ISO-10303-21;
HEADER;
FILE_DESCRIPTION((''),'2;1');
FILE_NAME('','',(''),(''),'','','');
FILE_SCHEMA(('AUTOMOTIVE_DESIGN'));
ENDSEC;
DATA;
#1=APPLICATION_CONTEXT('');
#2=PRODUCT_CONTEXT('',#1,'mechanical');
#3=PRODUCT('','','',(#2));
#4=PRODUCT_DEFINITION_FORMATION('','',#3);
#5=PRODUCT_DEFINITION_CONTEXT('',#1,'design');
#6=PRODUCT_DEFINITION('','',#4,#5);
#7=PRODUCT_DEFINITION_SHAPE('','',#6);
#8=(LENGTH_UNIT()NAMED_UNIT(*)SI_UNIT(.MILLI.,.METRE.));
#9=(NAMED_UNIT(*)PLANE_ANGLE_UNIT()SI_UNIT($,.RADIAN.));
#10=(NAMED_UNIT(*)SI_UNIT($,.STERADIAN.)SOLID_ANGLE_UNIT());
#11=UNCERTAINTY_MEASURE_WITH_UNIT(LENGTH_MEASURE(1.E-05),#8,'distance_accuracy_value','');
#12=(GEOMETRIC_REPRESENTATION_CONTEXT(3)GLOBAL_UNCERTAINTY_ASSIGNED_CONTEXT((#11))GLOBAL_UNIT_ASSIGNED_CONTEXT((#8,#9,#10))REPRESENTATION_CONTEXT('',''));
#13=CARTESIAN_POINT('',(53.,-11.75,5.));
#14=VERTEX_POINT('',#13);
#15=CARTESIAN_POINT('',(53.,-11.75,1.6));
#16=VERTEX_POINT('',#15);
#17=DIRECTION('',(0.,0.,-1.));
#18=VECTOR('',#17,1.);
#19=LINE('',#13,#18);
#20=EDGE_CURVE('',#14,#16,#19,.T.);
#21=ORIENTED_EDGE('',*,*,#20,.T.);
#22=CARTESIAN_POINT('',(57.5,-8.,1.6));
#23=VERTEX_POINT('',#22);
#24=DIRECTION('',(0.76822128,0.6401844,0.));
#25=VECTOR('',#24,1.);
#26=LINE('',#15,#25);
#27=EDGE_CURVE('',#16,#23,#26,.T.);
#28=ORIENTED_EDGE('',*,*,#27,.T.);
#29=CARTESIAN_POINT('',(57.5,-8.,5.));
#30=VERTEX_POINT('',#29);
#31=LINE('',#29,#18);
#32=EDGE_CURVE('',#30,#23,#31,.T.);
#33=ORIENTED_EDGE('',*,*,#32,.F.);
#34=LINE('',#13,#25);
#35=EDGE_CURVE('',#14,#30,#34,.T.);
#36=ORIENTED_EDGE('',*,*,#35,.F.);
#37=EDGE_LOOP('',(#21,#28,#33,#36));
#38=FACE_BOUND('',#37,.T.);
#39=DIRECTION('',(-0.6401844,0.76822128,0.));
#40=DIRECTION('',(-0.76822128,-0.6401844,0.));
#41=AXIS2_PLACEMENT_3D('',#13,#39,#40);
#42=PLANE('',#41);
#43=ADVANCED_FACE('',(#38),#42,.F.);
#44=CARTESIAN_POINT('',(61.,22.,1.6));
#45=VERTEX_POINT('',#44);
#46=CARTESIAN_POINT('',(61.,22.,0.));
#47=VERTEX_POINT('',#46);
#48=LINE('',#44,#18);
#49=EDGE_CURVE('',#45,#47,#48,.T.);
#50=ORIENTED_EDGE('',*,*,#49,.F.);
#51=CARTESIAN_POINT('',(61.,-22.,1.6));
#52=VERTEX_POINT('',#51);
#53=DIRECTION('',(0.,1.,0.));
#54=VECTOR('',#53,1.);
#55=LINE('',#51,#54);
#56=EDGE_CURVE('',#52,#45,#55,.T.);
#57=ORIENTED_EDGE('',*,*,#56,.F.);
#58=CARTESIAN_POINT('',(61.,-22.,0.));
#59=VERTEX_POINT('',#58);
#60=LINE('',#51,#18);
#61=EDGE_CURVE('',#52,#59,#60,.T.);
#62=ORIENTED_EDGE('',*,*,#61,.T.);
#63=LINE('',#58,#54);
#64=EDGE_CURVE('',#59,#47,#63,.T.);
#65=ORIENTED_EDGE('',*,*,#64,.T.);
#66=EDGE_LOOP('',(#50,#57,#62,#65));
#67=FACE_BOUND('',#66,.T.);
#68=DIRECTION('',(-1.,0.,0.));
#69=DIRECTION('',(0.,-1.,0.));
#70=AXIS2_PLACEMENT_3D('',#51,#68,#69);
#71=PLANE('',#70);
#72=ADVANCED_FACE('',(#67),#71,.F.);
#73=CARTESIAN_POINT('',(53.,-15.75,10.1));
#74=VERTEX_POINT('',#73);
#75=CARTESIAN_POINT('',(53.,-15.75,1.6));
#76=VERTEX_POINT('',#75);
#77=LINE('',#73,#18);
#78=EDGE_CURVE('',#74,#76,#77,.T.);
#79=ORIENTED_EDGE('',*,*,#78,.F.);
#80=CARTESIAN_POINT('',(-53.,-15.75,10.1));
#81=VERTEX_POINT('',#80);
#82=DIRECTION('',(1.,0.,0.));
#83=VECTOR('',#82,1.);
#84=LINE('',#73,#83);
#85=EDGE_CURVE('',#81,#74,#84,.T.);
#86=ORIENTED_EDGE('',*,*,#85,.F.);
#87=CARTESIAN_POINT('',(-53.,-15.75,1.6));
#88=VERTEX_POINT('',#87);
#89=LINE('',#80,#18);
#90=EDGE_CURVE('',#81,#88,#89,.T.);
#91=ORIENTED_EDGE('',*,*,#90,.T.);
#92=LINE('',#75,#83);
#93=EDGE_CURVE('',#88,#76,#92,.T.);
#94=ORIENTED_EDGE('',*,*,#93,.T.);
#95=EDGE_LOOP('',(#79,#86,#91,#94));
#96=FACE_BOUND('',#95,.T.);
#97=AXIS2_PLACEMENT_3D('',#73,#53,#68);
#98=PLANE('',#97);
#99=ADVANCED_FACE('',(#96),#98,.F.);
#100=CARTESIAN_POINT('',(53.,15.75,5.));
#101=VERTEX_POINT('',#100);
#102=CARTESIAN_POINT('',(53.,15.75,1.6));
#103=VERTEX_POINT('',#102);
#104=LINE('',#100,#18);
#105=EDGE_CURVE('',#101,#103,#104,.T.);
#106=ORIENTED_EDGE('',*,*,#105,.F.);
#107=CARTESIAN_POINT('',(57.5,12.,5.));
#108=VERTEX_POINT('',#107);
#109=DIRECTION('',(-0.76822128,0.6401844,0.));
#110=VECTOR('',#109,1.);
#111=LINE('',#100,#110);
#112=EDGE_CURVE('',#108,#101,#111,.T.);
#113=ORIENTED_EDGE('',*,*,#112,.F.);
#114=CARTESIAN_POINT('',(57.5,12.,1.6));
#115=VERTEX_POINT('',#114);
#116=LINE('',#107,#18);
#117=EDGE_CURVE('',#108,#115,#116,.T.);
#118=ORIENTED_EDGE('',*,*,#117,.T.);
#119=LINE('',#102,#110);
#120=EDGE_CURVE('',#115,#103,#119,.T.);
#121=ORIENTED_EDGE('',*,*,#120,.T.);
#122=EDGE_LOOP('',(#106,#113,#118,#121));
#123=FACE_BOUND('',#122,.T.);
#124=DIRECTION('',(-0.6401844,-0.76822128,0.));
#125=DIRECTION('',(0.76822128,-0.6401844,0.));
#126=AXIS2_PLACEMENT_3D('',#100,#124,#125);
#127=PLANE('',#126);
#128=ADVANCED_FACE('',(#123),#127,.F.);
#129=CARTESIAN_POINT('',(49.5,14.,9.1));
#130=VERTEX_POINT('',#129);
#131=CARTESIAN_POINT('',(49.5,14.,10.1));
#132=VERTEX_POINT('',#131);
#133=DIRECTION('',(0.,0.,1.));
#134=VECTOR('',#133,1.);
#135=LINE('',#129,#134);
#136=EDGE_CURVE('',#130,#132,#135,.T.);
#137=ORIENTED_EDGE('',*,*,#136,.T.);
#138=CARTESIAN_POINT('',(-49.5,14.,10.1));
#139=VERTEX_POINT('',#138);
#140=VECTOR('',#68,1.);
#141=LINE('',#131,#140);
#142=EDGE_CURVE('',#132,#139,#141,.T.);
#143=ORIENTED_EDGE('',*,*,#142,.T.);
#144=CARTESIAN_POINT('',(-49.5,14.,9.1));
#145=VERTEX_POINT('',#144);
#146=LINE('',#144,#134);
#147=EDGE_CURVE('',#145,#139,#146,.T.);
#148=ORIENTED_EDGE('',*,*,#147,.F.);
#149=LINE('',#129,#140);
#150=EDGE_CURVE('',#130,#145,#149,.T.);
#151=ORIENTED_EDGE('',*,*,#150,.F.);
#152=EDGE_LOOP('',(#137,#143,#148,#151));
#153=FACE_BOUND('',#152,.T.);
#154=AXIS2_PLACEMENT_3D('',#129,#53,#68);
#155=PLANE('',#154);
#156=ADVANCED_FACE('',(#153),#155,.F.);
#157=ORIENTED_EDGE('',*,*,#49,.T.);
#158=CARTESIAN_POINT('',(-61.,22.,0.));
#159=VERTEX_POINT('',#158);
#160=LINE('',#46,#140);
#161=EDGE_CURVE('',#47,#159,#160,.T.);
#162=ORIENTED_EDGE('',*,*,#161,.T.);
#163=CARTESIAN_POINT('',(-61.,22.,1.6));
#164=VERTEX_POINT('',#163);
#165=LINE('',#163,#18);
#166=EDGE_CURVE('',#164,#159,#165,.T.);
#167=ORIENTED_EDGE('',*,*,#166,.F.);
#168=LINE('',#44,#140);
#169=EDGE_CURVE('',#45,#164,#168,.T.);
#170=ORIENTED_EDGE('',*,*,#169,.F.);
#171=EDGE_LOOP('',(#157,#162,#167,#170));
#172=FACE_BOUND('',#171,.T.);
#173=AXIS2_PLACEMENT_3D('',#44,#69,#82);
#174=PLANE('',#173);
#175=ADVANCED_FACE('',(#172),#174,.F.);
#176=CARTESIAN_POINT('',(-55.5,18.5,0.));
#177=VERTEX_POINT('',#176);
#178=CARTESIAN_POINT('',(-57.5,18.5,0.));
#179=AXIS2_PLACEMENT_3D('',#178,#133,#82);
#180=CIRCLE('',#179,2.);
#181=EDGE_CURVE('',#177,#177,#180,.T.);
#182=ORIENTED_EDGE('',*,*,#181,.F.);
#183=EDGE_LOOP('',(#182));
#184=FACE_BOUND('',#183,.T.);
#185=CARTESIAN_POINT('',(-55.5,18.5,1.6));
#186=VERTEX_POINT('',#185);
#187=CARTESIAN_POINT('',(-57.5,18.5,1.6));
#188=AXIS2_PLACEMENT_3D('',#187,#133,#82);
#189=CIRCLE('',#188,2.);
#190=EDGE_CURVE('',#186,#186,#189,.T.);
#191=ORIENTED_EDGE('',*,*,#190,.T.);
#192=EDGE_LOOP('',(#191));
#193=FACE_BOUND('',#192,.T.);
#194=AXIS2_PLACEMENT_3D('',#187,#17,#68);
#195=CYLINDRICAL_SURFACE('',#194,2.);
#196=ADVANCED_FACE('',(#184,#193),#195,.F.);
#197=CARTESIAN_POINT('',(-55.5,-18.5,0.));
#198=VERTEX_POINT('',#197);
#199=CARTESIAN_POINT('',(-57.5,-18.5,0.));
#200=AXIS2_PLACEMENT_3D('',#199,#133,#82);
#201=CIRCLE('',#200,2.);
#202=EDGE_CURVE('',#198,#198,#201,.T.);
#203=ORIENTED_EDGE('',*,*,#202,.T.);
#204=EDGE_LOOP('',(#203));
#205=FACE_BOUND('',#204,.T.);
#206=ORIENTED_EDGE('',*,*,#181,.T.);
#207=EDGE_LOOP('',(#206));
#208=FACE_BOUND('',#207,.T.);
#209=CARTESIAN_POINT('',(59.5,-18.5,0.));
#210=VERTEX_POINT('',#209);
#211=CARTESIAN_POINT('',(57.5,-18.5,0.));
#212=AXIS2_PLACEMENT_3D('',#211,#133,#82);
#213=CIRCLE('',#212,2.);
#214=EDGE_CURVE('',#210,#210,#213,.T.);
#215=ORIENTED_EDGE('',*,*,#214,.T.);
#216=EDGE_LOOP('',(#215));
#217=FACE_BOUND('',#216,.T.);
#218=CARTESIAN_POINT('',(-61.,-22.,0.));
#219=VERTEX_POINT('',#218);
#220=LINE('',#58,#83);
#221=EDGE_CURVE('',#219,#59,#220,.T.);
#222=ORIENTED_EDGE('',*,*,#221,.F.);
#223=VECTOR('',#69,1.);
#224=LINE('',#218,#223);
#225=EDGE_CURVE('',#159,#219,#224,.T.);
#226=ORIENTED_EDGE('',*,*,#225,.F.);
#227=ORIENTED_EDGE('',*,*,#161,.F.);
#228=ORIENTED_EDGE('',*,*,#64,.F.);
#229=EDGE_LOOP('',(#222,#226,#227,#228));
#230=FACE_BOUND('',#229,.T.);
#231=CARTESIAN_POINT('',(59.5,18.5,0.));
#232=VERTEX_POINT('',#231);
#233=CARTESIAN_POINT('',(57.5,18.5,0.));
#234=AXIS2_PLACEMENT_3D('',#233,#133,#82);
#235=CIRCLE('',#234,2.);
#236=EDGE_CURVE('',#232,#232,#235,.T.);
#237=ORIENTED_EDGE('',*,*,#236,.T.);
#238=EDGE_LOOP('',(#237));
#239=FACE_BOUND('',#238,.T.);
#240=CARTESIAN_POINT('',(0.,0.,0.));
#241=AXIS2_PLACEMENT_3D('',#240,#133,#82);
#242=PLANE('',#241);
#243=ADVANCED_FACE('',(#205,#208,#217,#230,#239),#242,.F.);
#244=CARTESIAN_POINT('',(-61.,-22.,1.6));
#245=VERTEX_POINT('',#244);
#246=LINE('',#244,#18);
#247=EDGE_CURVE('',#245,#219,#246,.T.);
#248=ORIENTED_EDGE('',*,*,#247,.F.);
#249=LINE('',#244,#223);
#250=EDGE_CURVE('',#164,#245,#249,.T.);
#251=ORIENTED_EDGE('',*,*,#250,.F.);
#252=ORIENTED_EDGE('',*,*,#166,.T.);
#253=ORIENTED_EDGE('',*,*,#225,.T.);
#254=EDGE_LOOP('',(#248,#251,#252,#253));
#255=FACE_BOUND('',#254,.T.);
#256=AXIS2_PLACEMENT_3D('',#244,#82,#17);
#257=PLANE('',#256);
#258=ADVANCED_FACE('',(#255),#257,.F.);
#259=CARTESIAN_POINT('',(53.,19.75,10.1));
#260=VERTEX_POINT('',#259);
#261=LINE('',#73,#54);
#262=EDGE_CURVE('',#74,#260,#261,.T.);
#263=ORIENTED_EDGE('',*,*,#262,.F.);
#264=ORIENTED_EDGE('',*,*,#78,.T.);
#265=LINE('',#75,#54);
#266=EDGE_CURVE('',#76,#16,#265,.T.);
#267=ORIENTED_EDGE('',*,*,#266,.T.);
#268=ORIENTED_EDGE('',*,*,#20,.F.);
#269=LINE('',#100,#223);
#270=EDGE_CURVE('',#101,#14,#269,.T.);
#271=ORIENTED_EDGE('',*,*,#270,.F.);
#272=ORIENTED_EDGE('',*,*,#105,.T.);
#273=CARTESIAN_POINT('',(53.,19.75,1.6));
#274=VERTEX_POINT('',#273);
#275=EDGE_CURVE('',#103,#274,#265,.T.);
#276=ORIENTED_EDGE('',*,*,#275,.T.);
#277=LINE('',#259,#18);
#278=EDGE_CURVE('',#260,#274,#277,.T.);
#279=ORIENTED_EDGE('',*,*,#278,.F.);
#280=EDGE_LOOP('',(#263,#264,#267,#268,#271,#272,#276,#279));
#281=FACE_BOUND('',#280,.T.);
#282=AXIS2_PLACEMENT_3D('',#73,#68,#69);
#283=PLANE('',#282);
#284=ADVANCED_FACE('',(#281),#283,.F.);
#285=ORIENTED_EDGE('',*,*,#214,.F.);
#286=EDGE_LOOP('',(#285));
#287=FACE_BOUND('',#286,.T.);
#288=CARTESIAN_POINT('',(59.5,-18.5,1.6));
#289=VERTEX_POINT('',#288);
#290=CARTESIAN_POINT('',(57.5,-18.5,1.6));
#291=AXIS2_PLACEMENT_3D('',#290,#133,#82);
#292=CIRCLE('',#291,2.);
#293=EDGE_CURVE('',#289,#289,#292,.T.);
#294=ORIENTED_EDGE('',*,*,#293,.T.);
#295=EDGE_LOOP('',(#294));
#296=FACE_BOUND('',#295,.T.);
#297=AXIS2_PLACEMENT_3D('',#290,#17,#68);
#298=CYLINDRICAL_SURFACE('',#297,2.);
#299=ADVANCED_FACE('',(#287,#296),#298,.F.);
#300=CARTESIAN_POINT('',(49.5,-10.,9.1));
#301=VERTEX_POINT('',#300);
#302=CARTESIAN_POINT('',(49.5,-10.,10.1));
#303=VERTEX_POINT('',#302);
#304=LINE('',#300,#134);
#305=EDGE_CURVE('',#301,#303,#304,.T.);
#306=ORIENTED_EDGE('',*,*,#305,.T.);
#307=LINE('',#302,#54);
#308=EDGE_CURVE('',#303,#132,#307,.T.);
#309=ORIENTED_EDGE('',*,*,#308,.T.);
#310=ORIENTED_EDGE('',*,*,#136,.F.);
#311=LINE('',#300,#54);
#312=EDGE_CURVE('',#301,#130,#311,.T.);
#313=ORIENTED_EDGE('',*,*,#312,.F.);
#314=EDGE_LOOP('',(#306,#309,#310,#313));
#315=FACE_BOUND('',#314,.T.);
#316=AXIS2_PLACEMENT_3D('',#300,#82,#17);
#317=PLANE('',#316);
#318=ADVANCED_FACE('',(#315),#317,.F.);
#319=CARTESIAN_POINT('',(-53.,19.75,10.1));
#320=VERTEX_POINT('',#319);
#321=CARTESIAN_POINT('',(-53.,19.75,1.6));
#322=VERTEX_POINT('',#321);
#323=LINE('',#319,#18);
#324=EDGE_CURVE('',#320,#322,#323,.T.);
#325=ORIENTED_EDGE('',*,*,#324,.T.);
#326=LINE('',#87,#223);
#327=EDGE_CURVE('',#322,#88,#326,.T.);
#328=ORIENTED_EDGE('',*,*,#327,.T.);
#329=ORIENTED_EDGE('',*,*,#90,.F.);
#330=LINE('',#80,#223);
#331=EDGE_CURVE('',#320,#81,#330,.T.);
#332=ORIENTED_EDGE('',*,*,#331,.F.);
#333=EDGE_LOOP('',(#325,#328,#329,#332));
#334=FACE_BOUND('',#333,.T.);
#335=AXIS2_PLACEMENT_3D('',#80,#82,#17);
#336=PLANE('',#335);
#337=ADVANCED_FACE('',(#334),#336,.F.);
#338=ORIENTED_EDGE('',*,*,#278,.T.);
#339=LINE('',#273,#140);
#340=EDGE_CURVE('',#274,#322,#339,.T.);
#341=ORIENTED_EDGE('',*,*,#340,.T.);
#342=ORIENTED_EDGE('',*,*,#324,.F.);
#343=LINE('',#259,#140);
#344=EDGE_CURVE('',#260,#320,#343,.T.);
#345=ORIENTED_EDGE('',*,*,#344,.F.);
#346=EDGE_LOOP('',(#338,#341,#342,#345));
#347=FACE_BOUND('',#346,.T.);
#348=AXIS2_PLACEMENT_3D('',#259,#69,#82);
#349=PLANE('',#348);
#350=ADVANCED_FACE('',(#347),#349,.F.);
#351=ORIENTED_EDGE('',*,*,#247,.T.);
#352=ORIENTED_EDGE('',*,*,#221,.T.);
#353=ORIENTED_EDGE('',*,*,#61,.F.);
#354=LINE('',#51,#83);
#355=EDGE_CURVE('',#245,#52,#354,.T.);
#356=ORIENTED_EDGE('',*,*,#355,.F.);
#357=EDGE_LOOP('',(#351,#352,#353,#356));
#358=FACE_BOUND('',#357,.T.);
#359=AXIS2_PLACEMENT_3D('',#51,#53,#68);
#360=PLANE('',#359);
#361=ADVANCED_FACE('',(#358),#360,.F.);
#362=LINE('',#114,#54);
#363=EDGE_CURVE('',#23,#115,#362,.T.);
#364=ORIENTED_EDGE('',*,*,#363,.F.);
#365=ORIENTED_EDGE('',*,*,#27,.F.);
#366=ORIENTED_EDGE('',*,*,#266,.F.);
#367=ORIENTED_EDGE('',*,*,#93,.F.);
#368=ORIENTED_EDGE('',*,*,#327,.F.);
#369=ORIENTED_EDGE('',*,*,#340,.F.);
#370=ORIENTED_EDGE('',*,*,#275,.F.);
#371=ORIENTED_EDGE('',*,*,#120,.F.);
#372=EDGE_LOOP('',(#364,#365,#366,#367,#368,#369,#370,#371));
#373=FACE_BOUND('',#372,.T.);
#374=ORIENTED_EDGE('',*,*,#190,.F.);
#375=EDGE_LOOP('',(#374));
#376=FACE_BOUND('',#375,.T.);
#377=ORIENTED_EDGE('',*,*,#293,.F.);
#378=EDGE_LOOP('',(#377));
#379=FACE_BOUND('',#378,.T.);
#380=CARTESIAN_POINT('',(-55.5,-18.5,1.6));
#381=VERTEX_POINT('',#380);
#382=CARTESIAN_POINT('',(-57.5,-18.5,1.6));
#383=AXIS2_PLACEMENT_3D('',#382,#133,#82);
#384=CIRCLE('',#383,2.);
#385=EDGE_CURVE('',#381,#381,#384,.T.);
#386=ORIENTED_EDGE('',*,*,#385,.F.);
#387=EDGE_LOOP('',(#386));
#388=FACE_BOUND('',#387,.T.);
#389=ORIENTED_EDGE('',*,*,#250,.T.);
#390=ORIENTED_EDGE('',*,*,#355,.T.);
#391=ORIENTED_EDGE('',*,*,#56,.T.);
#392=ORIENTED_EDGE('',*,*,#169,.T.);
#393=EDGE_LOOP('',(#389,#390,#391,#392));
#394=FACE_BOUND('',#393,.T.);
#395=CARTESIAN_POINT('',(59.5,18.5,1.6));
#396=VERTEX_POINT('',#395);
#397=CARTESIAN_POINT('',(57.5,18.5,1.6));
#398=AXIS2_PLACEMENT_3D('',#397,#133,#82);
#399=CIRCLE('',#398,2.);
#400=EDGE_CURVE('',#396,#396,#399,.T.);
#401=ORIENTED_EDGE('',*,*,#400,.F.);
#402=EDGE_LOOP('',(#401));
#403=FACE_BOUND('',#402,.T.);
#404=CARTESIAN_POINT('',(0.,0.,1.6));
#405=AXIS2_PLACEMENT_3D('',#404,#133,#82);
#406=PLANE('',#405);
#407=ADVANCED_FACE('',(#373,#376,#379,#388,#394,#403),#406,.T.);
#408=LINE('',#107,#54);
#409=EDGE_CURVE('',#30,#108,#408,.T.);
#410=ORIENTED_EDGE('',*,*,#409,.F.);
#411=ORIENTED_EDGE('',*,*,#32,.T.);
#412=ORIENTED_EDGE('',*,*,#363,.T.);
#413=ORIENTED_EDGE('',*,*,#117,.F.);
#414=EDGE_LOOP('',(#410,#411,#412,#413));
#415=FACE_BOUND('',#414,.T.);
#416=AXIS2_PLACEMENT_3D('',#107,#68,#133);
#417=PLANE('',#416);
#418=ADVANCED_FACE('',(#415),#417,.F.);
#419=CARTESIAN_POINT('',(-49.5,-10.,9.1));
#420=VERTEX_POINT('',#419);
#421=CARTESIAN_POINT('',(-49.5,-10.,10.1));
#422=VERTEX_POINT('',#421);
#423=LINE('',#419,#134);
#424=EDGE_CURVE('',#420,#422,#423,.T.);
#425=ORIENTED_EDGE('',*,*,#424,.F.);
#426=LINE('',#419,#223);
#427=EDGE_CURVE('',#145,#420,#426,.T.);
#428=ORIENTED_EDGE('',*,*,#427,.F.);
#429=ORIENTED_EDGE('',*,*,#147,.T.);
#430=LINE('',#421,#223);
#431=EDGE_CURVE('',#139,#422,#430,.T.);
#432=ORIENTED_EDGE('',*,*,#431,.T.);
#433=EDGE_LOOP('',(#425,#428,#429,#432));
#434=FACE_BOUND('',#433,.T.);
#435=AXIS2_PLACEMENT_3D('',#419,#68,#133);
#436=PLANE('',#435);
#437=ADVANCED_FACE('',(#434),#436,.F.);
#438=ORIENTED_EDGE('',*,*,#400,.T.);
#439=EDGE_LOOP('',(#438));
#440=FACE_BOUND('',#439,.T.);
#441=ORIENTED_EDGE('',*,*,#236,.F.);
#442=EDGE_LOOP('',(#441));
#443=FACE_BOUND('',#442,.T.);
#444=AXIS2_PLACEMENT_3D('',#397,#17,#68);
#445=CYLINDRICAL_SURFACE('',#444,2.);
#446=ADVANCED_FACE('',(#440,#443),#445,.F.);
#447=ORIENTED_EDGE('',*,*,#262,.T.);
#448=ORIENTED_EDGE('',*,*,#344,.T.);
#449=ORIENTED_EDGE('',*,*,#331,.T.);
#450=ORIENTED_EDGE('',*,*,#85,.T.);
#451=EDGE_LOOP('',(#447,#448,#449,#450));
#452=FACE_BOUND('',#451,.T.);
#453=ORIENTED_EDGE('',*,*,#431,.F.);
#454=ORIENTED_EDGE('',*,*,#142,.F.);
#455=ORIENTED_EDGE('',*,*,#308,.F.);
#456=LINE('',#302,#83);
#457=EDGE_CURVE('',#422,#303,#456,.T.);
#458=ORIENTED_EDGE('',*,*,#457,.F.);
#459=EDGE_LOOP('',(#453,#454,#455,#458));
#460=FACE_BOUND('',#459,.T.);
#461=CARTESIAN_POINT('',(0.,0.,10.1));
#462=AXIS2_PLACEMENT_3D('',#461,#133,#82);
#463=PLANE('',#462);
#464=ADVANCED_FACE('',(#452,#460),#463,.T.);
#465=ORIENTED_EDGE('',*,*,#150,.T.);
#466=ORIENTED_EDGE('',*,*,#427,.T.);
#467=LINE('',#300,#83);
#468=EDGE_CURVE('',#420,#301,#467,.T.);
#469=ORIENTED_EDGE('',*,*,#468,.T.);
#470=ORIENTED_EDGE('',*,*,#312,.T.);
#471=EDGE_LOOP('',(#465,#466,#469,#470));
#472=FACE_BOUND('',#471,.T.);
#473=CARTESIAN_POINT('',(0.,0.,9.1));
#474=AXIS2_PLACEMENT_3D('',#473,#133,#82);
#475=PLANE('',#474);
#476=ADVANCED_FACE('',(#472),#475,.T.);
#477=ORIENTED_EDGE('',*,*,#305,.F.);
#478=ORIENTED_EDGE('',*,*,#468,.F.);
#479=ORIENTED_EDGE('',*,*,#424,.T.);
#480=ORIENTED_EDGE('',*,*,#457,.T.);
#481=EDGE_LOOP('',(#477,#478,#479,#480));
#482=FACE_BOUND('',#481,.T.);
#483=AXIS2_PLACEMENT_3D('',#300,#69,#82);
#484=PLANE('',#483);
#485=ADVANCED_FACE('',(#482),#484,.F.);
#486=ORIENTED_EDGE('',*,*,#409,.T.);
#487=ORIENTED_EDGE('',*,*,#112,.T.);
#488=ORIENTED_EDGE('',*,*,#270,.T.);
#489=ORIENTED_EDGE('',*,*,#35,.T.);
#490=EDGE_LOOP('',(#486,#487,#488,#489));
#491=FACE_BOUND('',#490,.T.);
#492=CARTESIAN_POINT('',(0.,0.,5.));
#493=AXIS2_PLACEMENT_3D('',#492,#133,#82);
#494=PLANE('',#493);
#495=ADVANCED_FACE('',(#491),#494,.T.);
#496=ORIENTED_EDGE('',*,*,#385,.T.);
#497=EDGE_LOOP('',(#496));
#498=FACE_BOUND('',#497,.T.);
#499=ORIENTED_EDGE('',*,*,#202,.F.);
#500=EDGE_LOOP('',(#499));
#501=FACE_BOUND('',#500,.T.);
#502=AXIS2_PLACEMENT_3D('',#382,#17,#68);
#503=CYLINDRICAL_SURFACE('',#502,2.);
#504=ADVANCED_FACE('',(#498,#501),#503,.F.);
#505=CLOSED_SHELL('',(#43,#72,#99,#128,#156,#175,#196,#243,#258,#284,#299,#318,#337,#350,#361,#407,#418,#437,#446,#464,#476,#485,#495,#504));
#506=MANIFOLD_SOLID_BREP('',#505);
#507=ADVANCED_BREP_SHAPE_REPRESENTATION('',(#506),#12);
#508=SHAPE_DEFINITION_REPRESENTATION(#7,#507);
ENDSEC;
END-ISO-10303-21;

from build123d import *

# Parameters (mm, degrees)
SKETCH1_W           = 122
SKETCH1_H           = 44
SKETCH1_R           = 2
BOSS_EXTRUDE1_DEPTH = 1.6
SKETCH2_W           = 106
SKETCH2_H           = 35.5
BOSS_EXTRUDE2_DEPTH = 8.5
SKETCH4_W           = 99
SKETCH4_H           = 24
CUT_EXTRUDE1_DEPTH  = 1
BOSS_EXTRUDE3_DEPTH = 3.4


with BuildPart() as part:
    # Sketch1 → Boss-Extrude1 (new body)
    with BuildSketch(Plane.XY):
        Rectangle(SKETCH1_W, SKETCH1_H)
        with Locations((-57.5, 18.5)):
            Circle(SKETCH1_R, mode=Mode.SUBTRACT)
        with Locations((-57.5, -18.5)):
            Circle(SKETCH1_R, mode=Mode.SUBTRACT)
        with Locations((57.5, 18.5)):
            Circle(SKETCH1_R, mode=Mode.SUBTRACT)
        with Locations((57.5, -18.5)):
            Circle(SKETCH1_R, mode=Mode.SUBTRACT)
    extrude(amount=BOSS_EXTRUDE1_DEPTH)

    # Sketch2 → Boss-Extrude2 (add)
    with BuildSketch(Plane.XY.offset(1.6)):
        with Locations((0, 2)):
            Rectangle(SKETCH2_W, SKETCH2_H)
    extrude(amount=BOSS_EXTRUDE2_DEPTH)

    # Sketch4 → Cut-Extrude1 (cut)
    with BuildSketch(Plane.XY.offset(10.1)):
        with Locations((0, 2)):
            Rectangle(SKETCH4_W, SKETCH4_H)
    extrude(amount=-CUT_EXTRUDE1_DEPTH, mode=Mode.SUBTRACT)

    # Sketch5 → Boss-Extrude3 (add)
    with BuildSketch(Plane.XY.offset(1.6)):
        Polygon((53, 15.75), (53, -11.75), (57.5, -8), (57.5, 12), align=None)
    extrude(amount=BOSS_EXTRUDE3_DEPTH)


solid = part.part
